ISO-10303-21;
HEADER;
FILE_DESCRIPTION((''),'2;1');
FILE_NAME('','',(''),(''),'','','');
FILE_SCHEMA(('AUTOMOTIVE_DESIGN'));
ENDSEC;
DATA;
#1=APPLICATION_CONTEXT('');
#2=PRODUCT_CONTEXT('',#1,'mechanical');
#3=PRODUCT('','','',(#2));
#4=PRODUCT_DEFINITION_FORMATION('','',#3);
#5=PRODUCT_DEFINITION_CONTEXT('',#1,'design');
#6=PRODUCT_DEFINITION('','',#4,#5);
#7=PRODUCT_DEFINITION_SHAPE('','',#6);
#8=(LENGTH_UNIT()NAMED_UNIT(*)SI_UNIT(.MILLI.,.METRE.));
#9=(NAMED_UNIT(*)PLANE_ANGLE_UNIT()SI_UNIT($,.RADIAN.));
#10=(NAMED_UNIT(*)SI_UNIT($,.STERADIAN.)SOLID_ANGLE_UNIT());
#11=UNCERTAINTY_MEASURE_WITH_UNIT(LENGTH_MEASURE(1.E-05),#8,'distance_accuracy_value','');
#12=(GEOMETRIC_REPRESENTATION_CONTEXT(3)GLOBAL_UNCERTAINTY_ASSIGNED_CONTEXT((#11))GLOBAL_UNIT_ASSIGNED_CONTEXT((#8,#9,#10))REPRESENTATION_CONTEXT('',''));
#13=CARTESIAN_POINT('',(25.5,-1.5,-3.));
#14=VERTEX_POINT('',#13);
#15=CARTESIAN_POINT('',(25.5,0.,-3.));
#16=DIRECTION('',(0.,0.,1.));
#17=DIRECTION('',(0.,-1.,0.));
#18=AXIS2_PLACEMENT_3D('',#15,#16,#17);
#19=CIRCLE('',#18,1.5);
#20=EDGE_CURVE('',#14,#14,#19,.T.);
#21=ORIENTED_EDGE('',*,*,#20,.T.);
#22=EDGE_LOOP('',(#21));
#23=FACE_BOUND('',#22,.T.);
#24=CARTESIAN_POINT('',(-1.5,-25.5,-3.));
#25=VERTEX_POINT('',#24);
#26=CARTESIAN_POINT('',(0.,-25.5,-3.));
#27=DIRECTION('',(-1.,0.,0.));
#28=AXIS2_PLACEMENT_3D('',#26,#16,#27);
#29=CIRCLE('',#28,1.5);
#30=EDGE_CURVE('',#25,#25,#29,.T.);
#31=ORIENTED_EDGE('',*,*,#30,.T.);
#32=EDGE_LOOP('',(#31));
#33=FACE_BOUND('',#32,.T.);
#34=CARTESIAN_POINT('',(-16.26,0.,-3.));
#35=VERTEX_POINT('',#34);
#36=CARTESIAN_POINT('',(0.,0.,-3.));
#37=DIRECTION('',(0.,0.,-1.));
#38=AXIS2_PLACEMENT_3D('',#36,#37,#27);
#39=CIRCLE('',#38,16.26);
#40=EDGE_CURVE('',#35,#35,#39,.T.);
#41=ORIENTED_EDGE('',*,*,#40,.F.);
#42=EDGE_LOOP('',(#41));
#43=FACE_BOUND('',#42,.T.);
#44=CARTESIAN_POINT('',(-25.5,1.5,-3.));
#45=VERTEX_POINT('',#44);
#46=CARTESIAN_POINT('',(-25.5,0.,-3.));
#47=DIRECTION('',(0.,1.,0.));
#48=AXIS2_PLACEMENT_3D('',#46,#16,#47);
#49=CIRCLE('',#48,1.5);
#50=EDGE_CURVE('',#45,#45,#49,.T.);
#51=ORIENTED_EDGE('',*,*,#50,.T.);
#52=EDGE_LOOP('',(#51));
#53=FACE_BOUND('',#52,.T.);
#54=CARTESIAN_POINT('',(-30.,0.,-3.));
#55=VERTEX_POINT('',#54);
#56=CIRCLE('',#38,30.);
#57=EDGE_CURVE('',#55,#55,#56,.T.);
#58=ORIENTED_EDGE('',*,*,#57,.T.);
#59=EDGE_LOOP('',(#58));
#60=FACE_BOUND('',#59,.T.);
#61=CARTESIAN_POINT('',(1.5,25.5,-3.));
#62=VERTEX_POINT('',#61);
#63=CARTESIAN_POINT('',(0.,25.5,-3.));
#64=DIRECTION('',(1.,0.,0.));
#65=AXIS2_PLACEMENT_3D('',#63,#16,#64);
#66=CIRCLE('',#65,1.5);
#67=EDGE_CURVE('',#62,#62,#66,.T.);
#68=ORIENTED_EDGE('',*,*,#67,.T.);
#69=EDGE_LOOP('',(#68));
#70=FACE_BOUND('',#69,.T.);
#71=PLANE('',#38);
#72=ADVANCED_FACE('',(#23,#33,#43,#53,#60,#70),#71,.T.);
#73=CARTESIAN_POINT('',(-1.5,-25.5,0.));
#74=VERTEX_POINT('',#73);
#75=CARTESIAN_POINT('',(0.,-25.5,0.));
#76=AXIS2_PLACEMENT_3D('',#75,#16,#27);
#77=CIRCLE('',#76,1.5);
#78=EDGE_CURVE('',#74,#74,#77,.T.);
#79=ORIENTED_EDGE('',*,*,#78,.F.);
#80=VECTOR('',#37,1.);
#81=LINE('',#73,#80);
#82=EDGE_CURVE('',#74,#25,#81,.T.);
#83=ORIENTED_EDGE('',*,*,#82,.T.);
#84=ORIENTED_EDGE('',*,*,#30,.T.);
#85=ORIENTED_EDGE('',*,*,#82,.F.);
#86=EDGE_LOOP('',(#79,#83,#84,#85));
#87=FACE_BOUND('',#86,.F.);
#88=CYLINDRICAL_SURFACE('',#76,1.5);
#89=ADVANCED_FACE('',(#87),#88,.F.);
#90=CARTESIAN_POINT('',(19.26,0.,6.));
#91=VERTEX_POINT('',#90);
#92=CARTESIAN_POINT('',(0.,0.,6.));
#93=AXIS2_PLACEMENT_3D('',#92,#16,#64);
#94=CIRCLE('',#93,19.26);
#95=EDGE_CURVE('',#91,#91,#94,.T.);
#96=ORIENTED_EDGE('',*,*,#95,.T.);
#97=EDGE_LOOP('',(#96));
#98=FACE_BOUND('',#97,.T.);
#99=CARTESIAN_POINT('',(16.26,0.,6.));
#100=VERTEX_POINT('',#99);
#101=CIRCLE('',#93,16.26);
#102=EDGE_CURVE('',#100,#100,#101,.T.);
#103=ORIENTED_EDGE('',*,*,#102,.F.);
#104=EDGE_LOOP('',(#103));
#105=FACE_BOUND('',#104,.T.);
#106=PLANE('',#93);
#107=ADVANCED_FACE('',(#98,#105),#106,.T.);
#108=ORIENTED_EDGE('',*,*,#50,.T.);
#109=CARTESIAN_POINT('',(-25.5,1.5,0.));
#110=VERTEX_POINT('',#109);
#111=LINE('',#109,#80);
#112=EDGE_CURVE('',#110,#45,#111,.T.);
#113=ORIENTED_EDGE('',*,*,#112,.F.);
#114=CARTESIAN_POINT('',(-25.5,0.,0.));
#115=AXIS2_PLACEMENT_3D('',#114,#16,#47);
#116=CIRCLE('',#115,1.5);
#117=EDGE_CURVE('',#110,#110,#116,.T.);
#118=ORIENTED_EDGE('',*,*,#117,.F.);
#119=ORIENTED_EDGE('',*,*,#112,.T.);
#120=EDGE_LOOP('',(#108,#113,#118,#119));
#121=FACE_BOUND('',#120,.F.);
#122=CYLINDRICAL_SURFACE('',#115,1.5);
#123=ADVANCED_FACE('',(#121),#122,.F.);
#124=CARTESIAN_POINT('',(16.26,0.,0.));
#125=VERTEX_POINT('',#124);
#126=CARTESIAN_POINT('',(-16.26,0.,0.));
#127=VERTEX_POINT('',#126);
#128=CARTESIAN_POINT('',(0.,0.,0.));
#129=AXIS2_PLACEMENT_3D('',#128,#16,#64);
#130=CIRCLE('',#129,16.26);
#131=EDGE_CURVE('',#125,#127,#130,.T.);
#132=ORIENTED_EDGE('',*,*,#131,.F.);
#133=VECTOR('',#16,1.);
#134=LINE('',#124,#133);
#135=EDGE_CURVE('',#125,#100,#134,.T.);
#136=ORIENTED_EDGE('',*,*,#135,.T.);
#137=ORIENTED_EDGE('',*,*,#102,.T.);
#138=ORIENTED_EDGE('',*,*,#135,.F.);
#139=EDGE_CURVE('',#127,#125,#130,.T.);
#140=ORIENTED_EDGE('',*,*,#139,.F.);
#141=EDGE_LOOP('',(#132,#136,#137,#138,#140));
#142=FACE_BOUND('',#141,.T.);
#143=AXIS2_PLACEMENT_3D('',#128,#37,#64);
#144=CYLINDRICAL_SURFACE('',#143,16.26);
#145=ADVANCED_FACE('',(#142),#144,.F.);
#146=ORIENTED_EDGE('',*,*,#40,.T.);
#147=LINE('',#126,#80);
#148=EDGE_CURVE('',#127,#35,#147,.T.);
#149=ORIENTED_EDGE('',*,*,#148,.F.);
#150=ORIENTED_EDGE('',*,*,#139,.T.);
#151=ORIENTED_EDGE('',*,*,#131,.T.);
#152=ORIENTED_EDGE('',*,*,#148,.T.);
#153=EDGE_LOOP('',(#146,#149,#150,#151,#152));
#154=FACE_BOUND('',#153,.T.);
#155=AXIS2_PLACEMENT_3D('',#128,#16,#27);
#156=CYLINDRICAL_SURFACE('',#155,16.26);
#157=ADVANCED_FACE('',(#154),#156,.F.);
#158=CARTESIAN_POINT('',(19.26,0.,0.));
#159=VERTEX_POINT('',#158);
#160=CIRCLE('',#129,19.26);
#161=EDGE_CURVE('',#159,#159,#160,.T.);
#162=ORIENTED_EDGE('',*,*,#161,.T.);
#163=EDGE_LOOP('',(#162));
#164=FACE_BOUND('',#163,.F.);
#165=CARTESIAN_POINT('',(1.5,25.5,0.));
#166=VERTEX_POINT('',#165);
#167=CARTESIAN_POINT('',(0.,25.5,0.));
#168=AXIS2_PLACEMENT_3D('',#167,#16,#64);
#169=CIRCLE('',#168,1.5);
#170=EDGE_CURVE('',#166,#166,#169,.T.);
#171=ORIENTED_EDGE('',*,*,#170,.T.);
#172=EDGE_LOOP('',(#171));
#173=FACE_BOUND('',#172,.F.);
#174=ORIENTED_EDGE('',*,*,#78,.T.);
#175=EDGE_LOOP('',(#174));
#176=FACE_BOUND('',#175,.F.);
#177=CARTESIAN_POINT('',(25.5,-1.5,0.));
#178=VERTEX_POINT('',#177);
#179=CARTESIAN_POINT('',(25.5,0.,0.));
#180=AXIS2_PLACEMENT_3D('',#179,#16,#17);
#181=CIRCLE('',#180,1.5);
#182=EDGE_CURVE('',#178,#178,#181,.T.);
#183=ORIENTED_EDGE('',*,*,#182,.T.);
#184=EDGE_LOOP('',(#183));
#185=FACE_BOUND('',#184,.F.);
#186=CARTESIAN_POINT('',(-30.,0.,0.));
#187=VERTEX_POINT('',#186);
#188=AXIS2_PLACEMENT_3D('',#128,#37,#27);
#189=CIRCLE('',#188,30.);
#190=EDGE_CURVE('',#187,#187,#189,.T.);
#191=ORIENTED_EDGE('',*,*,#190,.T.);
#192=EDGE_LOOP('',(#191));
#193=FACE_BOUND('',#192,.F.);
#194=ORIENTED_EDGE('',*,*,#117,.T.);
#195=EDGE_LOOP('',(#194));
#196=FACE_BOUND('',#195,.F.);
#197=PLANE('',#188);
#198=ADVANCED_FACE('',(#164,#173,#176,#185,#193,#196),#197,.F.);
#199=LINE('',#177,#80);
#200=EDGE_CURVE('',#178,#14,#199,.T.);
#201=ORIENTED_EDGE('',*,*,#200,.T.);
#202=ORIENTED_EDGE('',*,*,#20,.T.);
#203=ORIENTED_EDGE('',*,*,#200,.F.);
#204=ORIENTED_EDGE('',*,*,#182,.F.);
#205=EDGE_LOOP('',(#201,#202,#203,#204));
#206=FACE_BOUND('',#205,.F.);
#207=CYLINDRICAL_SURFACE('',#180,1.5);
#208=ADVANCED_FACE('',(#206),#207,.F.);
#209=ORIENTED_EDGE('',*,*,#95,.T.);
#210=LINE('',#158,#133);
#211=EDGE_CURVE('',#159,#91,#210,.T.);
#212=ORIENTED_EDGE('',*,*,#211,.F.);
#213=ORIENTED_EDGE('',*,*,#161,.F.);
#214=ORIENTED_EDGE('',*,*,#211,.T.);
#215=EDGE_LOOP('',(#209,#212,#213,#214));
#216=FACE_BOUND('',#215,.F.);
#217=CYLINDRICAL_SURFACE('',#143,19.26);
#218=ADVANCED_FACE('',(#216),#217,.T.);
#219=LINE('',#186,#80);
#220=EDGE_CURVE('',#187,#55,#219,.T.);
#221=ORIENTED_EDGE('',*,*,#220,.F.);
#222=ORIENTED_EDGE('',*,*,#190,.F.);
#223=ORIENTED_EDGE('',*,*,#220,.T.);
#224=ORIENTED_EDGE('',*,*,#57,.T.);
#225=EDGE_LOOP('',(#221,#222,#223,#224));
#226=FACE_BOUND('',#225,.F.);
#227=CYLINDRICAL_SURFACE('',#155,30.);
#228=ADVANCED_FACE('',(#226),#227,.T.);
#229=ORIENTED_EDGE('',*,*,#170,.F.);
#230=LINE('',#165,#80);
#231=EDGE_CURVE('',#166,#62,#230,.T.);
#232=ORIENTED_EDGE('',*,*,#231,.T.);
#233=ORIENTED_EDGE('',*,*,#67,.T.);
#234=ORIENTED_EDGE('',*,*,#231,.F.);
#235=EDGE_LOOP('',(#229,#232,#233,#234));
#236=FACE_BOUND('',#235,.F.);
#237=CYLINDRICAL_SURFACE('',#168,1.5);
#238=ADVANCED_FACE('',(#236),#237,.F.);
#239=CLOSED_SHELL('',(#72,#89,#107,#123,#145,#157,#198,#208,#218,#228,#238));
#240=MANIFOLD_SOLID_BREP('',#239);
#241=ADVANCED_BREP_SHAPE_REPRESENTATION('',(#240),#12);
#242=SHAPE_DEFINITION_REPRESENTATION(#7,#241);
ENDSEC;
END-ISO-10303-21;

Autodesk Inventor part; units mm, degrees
ref_plane "YZ Plane" through (0, 0, 0) normal (1, 0, 0) x (0, 1, 0)
ref_plane "XZ Plane" through (0, 0, 0) normal (0, 1, 0) x (-1, 0, 0)
ref_plane "XY Plane" through (0, 0, 0) normal (0, 0, 1) x (1, 0, 0)
sketch "Boceto1" plane through (0, 0, 0) normal (0, 0, 1) x (1, 0, 0)
  circle A0 centre (0, 0) radius 16.26
  circle A1 centre (0, 0) radius 19.26
  dimension "d0" = 32.52
  dimension "d1" = 3
extrude "Extrusión1" add sketch "Boceto1" along normal blind 6
sketch "Boceto2" plane through (0, 0, 0) normal (0, 0, -1) x (-1, 0, 0)
  circle A0 centre (0, 0) radius 30
  circle A1 centre (0, 0) radius 16.26 projected
  dimension "d4" = 60
extrude "Extrusión2" add sketch "Boceto2" along normal blind 3
sketch "Boceto3" plane through (0, 0, 0) normal (0, 0, 1) x (1, 0, 0)
  circle A0 centre (0, 0) radius 30 projected
  circle A1 centre (0, 25.5) radius 1.5
  dimension "d7" = 3
  dimension "d8" = 25.5
  dimension "d9" = 60
extrude "Extrusión3" cut sketch "Boceto3" against normal blind 3 contours A1
pattern_circular "Patrón circular1" count 4 over 360 about axis through (0, 0, -10) along (0, 0, 1) of "Extrusión3"
properties part number "Acople N°1"
